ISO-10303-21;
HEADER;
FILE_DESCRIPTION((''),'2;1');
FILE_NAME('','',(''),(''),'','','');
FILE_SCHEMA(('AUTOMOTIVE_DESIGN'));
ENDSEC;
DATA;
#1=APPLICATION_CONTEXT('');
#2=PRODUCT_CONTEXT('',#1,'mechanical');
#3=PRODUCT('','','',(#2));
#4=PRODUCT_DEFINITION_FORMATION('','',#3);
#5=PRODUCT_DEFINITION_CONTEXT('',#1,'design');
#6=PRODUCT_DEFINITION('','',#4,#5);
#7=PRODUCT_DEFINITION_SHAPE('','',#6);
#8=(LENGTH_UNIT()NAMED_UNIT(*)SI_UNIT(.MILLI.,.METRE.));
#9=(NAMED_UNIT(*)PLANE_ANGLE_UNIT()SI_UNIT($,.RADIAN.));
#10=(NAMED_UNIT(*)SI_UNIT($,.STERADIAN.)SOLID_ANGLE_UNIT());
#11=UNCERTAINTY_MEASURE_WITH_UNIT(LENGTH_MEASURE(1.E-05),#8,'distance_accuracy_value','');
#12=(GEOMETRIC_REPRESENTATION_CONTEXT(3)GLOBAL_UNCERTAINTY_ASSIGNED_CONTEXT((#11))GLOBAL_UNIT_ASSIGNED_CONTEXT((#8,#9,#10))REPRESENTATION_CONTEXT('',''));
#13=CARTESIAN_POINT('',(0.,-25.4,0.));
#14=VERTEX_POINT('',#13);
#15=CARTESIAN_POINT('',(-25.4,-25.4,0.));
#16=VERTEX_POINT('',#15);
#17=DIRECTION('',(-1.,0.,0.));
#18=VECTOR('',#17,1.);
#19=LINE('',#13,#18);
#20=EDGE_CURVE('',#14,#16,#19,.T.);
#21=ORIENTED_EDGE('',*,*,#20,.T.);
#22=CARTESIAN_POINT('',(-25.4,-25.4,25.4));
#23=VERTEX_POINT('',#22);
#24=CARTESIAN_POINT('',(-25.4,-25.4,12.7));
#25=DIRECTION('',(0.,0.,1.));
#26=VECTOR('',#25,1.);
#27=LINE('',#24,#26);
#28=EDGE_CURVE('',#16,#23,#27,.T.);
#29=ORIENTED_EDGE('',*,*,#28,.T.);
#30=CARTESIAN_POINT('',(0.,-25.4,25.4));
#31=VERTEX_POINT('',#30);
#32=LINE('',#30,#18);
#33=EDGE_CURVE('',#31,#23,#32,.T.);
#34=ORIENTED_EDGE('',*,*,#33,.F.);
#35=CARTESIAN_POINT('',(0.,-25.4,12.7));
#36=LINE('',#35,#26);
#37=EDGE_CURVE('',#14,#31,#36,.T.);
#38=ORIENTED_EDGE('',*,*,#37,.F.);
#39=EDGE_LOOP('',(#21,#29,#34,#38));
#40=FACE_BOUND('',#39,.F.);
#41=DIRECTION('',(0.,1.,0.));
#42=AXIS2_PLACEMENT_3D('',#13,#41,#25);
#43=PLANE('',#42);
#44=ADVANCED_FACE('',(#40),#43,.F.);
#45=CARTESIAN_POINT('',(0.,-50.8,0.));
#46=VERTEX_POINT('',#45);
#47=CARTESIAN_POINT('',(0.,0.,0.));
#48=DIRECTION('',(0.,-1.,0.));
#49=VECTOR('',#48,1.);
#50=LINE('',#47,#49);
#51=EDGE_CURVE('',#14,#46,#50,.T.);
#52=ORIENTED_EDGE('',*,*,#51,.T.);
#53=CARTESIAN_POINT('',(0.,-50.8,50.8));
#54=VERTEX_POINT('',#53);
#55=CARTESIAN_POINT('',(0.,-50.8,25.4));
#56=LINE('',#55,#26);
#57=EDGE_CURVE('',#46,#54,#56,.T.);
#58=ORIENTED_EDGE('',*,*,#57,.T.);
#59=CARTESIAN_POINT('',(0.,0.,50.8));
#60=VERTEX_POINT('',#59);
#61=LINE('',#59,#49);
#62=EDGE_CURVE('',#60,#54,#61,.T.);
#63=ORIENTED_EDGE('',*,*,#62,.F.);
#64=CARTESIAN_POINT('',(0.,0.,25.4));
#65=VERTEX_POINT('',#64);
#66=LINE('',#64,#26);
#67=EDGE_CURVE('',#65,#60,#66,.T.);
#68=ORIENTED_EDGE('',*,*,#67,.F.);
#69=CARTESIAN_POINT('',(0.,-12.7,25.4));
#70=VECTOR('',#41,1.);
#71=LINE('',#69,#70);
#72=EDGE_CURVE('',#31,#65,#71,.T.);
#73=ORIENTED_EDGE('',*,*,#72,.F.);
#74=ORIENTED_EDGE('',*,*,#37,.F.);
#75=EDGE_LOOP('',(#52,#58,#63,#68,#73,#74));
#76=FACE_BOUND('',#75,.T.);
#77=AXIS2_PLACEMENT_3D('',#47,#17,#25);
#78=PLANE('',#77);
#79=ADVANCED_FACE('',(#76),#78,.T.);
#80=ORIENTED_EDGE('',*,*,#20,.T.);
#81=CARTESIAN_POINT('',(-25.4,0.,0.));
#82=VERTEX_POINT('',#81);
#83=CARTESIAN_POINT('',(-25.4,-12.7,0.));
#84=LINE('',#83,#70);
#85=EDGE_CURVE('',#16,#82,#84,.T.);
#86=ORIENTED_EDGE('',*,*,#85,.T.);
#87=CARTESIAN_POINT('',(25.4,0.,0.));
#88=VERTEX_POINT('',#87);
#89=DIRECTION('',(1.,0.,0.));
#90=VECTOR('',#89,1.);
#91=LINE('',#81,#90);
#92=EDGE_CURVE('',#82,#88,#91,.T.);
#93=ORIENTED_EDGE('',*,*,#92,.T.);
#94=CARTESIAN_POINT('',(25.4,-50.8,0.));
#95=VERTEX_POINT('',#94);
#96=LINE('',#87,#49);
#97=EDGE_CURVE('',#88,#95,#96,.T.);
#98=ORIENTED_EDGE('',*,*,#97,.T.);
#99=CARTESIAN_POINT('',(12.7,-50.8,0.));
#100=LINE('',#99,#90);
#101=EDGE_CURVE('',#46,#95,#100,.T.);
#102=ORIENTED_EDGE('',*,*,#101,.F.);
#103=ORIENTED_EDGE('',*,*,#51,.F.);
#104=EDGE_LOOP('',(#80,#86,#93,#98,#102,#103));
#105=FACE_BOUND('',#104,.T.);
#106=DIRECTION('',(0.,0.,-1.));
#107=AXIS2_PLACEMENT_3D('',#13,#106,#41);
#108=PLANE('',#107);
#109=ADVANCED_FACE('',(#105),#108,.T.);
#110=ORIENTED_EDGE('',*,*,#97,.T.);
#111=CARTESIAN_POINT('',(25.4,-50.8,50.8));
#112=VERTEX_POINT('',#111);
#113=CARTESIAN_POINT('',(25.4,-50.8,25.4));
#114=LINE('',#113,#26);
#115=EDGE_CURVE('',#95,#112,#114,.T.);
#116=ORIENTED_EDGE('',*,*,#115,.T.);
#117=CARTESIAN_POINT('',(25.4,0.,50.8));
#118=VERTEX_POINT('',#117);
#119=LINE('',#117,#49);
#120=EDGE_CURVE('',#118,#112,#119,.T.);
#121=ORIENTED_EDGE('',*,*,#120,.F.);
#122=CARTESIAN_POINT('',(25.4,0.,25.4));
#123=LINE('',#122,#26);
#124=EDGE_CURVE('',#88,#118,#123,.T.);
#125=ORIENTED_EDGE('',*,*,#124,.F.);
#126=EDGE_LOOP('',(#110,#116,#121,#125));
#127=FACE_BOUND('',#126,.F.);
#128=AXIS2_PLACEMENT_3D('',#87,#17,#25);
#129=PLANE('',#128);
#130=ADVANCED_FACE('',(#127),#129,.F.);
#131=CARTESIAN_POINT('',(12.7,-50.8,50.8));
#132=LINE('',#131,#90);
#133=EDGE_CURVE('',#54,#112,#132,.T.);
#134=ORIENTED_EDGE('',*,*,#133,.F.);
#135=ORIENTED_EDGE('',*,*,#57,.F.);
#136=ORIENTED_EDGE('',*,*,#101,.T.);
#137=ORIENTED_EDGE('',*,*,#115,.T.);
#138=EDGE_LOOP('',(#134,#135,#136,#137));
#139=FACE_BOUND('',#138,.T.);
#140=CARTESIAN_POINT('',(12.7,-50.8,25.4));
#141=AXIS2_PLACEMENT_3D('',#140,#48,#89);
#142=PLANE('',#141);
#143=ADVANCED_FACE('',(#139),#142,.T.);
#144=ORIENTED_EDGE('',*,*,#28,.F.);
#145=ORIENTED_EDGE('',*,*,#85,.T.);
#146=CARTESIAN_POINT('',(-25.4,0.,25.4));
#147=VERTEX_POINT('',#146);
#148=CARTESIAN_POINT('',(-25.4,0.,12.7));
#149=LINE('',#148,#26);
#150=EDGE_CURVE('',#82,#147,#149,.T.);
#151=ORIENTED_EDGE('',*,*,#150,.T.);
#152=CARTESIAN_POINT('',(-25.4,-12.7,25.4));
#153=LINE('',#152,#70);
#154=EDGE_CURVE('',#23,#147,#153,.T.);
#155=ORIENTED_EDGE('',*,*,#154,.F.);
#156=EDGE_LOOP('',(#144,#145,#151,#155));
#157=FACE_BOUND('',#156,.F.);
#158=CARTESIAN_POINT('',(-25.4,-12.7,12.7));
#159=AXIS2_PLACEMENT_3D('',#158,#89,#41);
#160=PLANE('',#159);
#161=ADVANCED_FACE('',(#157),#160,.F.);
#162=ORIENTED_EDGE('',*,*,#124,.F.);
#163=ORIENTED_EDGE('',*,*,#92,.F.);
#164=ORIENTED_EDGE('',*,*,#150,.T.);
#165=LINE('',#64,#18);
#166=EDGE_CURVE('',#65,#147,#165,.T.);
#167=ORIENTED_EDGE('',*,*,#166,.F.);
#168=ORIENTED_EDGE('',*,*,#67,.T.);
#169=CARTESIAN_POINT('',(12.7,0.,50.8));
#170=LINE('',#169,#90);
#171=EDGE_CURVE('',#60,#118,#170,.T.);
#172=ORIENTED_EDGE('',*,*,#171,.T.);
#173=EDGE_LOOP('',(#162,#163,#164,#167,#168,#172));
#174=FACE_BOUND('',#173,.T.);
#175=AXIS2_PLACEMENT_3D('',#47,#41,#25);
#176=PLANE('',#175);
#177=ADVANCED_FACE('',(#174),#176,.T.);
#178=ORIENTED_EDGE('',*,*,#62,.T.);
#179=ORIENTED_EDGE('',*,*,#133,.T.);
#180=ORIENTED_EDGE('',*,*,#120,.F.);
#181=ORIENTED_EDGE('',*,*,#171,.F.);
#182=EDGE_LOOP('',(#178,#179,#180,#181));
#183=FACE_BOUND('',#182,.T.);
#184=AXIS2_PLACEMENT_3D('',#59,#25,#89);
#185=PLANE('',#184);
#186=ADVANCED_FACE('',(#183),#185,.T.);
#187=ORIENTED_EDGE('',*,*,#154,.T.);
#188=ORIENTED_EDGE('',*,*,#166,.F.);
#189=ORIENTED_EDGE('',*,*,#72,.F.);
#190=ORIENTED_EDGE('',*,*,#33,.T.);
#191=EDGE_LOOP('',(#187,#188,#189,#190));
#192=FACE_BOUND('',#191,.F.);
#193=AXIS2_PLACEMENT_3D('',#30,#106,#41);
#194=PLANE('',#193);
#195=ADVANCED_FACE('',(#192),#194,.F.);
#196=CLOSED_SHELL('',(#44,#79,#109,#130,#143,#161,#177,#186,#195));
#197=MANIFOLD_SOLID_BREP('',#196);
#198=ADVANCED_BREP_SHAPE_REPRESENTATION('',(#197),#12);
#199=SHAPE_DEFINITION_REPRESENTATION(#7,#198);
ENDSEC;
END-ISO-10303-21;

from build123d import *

# Parameters (mm, degrees)
F0_W     = 25.4
F0_H     = 50.8
F1_DEPTH = 50.8
F2_W     = 25.4
F2_H     = 25.4
F3_DEPTH = 25.4


with BuildPart() as f1:
    # F0 (on Front) → F1 (new body)
    with BuildSketch(Plane.XZ):
        with Locations((12.7, 25.4)):
            Rectangle(F0_W, F0_H)
    extrude(amount=F1_DEPTH)

    # F2 (on Right) → F3 (join)
    with BuildSketch(Plane.YZ):
        with Locations((-12.7, 12.7)):
            Rectangle(F2_W, F2_H)
    extrude(amount=-F3_DEPTH)


solid = f1.part
